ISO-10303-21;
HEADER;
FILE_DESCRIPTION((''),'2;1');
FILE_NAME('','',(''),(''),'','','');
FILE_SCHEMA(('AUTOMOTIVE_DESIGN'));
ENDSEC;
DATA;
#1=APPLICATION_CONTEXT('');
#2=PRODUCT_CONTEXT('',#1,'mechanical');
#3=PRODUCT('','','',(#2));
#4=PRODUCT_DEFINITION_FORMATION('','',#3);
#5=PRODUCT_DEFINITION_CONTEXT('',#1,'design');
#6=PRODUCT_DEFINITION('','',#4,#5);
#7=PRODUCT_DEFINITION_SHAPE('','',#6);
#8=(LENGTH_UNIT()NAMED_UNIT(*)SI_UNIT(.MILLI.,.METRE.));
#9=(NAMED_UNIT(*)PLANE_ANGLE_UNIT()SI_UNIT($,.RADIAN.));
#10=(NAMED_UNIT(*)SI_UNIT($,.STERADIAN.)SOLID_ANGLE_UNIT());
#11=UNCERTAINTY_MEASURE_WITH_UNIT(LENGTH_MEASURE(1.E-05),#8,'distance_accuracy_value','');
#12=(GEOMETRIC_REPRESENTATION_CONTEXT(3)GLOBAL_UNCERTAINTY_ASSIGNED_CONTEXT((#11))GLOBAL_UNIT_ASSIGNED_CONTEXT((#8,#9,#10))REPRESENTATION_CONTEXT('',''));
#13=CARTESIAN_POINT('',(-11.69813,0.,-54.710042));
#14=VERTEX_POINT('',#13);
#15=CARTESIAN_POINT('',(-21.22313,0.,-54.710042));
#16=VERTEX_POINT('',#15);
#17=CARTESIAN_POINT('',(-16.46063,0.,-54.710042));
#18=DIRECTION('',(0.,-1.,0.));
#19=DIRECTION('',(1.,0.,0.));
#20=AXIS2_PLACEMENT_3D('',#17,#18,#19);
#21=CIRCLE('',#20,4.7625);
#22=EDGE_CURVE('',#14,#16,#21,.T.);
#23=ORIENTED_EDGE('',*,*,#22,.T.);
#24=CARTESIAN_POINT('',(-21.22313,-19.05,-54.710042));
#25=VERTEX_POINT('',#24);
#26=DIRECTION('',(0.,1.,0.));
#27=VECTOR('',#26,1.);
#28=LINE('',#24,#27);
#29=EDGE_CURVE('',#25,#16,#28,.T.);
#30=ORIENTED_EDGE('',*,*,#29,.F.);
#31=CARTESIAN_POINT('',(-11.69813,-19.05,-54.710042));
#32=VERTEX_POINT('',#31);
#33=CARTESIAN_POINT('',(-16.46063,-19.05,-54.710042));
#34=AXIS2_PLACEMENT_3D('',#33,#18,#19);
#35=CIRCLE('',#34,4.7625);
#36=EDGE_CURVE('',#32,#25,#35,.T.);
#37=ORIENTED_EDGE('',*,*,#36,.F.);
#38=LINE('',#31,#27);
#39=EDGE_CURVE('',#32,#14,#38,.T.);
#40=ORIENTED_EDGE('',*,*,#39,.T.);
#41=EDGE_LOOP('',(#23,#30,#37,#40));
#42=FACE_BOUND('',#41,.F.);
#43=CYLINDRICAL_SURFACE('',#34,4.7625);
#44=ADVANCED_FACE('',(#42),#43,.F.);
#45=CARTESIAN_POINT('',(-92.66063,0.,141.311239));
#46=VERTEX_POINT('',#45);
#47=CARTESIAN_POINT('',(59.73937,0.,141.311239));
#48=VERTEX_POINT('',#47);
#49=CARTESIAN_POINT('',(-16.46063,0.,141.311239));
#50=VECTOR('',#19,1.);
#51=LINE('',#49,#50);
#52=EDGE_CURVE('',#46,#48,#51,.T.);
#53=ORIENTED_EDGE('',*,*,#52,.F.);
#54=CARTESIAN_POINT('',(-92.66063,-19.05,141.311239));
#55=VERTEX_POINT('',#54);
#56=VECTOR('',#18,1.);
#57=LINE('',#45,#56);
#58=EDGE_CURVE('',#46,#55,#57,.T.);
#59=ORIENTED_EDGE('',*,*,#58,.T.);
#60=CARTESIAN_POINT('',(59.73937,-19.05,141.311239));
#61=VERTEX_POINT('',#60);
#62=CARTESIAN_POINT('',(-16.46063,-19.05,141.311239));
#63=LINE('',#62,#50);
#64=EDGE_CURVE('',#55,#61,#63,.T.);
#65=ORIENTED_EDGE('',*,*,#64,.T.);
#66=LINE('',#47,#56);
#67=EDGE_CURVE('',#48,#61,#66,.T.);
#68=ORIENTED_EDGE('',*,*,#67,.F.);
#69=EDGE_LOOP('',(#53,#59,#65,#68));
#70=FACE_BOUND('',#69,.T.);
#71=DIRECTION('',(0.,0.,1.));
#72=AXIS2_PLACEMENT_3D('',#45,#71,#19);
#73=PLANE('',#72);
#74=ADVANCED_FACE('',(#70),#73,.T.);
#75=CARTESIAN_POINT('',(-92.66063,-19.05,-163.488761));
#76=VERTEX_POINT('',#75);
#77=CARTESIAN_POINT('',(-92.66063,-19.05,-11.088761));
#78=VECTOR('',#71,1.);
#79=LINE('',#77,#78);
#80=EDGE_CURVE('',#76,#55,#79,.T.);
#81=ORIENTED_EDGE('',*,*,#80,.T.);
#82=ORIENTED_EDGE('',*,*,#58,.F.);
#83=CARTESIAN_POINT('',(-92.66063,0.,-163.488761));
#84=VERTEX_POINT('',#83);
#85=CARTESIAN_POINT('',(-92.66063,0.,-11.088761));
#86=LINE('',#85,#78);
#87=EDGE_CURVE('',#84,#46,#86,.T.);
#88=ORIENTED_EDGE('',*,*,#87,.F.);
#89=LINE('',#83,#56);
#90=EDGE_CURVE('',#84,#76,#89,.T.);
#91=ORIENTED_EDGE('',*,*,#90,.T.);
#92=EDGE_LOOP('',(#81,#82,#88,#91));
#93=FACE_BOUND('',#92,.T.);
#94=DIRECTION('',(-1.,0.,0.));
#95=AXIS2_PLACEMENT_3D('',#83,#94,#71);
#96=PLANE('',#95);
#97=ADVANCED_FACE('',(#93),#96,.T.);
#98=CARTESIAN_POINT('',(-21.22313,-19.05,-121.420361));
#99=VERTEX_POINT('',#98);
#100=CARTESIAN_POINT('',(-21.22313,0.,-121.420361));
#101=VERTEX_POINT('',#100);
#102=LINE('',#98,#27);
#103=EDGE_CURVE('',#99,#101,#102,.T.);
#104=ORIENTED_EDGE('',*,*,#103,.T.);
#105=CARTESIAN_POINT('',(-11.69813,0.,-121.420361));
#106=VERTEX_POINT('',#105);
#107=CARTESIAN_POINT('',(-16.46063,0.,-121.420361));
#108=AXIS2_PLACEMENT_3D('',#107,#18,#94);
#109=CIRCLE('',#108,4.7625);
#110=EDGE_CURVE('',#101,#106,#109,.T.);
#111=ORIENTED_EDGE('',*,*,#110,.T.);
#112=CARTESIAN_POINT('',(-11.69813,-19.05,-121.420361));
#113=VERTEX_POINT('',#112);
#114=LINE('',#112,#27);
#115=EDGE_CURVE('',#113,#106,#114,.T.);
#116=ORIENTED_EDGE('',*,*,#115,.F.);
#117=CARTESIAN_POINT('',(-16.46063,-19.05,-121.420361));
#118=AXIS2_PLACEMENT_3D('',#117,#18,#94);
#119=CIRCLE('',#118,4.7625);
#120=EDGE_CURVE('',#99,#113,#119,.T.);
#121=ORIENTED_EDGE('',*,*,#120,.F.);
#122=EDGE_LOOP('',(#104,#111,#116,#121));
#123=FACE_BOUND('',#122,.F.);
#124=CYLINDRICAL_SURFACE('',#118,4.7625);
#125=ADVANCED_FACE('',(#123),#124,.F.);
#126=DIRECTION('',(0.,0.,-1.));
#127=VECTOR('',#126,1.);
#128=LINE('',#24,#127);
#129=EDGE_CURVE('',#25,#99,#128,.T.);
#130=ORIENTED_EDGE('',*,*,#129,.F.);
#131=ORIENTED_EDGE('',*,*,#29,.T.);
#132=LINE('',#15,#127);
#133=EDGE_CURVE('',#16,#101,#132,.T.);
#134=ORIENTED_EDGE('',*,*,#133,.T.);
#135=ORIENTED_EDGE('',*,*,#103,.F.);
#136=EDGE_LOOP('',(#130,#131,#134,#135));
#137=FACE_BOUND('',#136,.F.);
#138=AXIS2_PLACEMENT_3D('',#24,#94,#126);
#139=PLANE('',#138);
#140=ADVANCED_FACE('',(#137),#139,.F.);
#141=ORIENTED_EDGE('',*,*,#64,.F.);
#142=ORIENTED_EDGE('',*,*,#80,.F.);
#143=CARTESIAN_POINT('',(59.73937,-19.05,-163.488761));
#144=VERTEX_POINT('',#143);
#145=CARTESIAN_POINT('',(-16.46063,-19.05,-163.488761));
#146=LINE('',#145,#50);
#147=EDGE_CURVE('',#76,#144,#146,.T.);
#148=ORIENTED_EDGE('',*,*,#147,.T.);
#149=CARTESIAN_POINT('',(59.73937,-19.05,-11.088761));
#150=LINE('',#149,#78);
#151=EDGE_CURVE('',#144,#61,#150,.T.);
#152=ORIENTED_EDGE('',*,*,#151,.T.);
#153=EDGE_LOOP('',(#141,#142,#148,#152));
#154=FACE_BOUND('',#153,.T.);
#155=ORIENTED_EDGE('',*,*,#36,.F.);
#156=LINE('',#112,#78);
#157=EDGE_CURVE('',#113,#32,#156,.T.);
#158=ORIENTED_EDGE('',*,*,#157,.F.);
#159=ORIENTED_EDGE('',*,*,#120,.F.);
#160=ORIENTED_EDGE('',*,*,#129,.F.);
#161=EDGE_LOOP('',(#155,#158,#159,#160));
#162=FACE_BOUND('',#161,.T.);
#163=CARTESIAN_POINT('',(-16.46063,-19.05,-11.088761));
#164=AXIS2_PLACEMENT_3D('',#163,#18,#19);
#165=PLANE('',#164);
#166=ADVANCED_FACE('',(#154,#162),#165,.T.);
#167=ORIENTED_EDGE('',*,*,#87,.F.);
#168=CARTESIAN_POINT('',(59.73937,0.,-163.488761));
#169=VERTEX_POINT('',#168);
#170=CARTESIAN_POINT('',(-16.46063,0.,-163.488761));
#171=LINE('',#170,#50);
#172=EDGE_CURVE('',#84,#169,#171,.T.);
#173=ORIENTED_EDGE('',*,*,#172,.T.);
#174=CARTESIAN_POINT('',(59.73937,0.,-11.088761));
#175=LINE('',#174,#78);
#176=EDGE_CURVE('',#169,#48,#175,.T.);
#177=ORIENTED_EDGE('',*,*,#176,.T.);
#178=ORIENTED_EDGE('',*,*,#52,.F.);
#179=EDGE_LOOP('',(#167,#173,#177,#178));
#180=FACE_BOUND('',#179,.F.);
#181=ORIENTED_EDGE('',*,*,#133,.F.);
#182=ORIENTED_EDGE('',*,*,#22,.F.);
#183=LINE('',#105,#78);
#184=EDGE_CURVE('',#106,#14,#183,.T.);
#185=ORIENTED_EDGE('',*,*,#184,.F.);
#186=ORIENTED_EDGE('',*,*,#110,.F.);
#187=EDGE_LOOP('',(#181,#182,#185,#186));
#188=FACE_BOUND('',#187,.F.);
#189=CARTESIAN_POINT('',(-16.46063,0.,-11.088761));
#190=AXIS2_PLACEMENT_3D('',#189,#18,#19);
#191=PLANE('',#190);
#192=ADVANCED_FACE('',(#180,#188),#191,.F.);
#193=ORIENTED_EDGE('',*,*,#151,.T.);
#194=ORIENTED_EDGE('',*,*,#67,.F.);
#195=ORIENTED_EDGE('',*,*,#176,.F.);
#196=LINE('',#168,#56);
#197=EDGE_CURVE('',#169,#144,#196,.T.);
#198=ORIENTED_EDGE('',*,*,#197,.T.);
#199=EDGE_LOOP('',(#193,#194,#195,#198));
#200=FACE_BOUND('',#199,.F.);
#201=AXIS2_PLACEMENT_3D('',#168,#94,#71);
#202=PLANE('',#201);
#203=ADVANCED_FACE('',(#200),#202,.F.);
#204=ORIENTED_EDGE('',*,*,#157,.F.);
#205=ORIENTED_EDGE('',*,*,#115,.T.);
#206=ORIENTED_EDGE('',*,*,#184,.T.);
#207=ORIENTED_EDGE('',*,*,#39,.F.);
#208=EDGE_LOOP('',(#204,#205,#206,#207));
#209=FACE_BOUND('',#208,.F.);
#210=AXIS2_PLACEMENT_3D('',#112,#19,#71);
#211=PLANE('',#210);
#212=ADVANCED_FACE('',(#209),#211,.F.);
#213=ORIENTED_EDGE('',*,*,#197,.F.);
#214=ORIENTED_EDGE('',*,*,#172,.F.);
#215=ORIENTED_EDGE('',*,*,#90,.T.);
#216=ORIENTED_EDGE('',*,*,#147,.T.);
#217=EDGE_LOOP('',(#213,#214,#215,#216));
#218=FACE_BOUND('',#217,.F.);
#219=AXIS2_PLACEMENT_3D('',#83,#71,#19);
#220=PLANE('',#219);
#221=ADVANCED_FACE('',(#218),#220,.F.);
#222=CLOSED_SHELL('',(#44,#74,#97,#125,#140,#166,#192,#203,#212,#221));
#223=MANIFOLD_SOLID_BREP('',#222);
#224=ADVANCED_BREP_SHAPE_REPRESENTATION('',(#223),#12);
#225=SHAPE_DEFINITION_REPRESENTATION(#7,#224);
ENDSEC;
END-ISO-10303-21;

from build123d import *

# Parameters (mm, degrees)
F0_W     = 152.4
F0_H     = 304.8
F1_DEPTH = 19.05
F3_DEPTH = 19.05


with BuildPart() as f1:
    # F0 (on Front) → F1 (new body)
    with BuildSketch(Plane.XZ):
        with Locations((-16.46063, -11.088761)):
            Rectangle(F0_W, F0_H)
    extrude(amount=F1_DEPTH)

    # F2 (on face) → F3 (cut)
    with BuildSketch(Plane.XZ.offset(19.05)):
        with BuildLine():
            Line((-11.69813, -121.420361), (-11.69813, -54.710042))
            ThreePointArc((-11.69813, -54.710042), (-16.46063, -49.947542), (-21.22313, -54.710042))
            Line((-21.22313, -54.710042), (-21.22313, -121.420361))
            ThreePointArc((-21.22313, -121.420361), (-16.46063, -126.182861), (-11.69813, -121.420361))
        make_face()
    extrude(amount=-F3_DEPTH, mode=Mode.SUBTRACT)


solid = f1.part
